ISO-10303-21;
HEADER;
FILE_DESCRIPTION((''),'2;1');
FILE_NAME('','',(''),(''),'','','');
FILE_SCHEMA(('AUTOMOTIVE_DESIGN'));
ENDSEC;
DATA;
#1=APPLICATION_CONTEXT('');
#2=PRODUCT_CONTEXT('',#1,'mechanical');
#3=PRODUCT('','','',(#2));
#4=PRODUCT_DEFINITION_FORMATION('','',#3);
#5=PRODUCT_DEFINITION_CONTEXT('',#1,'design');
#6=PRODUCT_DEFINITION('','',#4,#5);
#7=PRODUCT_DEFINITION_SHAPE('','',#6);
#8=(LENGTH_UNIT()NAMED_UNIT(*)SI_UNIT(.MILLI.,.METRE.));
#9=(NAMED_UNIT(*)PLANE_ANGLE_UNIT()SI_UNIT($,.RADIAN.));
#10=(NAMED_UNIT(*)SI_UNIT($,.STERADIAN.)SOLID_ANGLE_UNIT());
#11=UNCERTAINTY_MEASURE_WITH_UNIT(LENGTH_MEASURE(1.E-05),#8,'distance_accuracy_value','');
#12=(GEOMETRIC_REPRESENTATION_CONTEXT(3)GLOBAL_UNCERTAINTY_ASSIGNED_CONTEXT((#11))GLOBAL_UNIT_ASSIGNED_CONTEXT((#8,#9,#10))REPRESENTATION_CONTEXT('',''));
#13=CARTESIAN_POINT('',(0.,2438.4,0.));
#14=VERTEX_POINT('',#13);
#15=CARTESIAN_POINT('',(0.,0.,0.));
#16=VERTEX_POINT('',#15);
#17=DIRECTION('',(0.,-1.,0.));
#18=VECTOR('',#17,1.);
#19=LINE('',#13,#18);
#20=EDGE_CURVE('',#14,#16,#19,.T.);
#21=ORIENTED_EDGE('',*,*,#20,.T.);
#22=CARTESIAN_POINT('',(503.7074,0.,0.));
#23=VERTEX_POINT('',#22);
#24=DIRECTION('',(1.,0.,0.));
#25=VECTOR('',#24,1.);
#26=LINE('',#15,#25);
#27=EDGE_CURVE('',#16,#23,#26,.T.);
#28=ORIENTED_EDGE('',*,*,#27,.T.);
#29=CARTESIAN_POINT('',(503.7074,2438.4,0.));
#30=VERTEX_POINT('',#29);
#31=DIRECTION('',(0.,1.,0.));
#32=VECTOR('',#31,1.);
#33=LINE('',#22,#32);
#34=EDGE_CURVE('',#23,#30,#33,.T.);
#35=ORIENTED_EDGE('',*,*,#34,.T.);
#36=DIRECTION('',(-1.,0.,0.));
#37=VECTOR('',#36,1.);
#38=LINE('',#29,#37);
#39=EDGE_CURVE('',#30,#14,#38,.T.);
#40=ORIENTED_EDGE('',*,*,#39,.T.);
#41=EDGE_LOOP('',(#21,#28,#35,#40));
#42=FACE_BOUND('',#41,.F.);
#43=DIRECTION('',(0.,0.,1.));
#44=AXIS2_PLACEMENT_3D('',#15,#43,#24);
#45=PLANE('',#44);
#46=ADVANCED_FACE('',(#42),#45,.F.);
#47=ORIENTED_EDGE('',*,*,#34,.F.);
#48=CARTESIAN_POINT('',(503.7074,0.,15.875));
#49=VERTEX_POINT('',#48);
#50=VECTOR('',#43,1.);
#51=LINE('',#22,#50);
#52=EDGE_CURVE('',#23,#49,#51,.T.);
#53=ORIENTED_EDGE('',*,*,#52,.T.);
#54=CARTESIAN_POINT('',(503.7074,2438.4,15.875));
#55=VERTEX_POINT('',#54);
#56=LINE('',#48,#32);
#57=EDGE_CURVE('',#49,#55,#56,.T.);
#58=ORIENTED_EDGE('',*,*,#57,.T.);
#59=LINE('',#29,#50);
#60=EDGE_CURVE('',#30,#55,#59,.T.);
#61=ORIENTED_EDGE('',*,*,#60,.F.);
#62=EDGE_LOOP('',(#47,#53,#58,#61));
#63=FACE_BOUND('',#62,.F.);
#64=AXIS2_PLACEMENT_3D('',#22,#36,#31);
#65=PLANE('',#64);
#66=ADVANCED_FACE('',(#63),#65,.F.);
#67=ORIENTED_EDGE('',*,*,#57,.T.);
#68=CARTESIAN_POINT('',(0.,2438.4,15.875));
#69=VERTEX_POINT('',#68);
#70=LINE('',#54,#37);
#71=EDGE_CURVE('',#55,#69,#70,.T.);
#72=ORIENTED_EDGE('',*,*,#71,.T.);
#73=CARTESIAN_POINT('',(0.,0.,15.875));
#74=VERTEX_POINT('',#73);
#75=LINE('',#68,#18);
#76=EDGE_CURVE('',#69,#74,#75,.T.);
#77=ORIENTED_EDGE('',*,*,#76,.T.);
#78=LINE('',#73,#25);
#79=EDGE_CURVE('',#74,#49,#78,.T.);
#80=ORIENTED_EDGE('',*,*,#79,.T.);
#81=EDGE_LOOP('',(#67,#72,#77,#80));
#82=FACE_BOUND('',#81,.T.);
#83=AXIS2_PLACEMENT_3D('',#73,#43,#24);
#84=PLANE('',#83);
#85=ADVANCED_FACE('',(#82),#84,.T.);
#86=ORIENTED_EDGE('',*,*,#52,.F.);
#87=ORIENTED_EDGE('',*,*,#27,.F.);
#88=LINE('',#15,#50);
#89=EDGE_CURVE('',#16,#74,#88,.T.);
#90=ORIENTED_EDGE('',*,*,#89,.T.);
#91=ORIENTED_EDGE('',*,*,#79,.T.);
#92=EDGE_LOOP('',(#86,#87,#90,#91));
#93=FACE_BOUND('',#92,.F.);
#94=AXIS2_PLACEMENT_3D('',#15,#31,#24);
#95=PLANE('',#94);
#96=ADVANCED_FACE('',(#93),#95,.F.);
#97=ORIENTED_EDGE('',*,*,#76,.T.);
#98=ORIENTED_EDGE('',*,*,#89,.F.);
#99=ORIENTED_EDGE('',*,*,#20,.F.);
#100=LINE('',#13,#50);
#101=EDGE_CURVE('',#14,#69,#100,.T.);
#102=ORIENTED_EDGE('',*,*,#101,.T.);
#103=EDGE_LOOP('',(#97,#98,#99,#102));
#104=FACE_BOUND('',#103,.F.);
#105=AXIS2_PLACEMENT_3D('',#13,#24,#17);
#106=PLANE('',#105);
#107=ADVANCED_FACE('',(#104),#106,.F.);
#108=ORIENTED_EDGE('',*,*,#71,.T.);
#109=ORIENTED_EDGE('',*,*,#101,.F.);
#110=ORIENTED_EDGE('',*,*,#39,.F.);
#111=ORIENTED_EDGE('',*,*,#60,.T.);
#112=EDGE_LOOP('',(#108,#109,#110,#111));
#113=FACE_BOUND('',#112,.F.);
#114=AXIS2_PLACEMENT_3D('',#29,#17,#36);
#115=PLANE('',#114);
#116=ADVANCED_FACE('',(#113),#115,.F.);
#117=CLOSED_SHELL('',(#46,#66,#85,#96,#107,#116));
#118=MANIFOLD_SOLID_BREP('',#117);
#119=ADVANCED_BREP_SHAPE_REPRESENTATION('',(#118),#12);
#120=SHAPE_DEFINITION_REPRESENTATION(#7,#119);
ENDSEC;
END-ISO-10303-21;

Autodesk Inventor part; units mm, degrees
ref_plane "YZ Plane" through (0, 0, 0) normal (1, 0, 0) x (0, 1, 0)
ref_plane "XZ Plane" through (0, 0, 0) normal (0, 1, 0) x (-1, 0, 0)
ref_plane "XY Plane" through (0, 0, 0) normal (0, 0, 1) x (1, 0, 0)
sketch "Sketch1" plane through (0, 0, 0) normal (0, 0, 1) x (1, 0, 0)
  line L0 (0, 0) -> (503.7074, 0)
  line L1 (503.7074, 0) -> (503.7074, 2438.4)
  line L2 (503.7074, 2438.4) -> (0, 2438.4)
  line L3 (0, 2438.4) -> (0, 0)
  dimension "d2" = 2438.4
  dimension "d3" = 503.7074
extrude "Extrusion1" add sketch "Sketch1" along normal blind 15.875
properties part number "DensGlass_With_Dimensions_25.5_x_96_Inches" material "Wood (Birch)"
